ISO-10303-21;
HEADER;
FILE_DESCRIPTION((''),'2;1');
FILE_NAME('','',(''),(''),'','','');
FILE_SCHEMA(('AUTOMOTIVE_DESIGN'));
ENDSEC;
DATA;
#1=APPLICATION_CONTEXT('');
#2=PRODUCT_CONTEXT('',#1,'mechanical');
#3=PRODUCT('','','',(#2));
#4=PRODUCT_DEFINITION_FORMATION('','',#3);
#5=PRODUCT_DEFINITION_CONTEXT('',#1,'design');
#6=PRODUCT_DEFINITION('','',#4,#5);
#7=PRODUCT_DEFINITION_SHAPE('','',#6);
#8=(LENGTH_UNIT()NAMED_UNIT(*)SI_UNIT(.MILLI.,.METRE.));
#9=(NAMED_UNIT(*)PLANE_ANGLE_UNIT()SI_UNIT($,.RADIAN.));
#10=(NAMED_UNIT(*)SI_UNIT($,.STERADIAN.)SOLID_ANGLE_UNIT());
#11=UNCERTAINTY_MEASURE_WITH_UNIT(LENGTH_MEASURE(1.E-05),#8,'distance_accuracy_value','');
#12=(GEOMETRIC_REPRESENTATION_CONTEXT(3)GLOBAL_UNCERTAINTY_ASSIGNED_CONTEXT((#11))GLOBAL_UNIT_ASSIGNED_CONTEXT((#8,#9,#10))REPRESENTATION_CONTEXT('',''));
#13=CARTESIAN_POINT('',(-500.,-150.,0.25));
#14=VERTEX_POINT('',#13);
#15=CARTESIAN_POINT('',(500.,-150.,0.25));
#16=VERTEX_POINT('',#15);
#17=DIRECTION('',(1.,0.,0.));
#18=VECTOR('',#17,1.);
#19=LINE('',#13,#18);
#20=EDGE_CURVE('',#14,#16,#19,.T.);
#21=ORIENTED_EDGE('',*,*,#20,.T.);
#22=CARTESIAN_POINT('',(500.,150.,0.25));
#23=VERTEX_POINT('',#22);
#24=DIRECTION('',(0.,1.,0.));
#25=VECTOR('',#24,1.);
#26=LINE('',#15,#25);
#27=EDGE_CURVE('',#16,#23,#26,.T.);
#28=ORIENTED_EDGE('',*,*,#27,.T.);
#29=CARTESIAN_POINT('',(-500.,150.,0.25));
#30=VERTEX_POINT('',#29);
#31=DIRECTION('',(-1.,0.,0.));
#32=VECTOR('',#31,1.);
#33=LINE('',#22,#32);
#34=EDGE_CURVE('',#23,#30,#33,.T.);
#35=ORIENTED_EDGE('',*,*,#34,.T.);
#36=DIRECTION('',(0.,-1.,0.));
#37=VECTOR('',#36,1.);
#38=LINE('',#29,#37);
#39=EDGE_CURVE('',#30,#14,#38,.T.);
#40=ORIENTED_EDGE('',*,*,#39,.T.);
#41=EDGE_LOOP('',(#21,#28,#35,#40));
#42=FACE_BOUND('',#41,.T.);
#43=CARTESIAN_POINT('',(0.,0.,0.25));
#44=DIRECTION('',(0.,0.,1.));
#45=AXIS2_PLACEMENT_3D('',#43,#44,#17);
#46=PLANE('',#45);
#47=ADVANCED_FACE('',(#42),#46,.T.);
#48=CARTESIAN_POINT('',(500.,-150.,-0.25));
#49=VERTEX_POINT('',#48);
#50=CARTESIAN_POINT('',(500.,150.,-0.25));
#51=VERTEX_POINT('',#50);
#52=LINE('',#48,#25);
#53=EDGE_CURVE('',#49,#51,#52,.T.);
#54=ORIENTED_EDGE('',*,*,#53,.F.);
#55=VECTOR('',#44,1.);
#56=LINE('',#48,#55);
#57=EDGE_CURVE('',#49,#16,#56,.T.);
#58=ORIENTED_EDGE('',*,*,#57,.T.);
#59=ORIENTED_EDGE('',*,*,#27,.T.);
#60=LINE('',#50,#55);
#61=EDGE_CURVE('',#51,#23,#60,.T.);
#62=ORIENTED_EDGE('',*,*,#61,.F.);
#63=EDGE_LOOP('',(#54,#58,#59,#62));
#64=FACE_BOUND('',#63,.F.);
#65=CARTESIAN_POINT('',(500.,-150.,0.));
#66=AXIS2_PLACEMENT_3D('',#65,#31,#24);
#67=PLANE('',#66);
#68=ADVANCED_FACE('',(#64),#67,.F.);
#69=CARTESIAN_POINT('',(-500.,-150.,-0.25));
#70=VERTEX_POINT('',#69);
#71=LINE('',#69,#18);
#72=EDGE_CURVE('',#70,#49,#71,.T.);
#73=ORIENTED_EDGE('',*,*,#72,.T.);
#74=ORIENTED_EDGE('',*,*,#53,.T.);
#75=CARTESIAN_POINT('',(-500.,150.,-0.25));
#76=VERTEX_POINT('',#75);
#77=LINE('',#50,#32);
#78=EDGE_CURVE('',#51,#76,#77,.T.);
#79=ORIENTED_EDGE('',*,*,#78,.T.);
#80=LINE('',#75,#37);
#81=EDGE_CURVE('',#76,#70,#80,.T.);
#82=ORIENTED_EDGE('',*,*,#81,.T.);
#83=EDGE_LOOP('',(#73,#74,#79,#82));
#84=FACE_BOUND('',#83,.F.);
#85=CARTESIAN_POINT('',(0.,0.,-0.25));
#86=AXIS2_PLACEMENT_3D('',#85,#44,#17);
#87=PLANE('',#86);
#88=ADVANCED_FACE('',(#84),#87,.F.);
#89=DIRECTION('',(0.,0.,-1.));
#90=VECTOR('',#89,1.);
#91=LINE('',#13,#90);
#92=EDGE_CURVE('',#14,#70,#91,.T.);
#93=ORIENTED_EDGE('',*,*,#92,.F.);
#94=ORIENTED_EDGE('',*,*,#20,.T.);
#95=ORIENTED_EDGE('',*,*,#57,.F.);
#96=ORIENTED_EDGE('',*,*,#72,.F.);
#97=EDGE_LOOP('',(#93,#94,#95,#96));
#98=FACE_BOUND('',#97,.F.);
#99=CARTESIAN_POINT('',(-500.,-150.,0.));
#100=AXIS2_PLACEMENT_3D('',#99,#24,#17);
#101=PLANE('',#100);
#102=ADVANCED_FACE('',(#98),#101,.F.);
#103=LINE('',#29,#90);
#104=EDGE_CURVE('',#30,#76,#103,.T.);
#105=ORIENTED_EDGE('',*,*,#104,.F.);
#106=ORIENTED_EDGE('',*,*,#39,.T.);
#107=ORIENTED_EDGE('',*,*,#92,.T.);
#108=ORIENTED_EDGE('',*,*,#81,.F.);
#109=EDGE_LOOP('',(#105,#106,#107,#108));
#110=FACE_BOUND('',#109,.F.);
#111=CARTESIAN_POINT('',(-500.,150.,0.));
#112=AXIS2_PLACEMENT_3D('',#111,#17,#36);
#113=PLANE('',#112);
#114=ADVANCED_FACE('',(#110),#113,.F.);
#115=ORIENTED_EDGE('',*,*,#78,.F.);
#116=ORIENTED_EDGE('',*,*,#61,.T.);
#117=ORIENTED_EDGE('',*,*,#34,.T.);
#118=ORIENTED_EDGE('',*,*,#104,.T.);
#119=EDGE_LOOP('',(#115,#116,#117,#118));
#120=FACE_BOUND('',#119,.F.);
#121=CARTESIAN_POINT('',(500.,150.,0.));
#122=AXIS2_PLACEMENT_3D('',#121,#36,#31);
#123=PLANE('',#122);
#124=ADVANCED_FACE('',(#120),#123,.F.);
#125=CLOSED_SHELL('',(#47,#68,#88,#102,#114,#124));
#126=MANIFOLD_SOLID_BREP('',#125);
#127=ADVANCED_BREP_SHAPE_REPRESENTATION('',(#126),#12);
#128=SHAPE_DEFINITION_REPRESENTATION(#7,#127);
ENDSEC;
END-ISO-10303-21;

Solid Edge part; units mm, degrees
sketch "Sketch1" plane through (0, 0, 0) normal (0, 0, 1) x (1, 0, 0)
  line L0 (-500, -150) -> (500, -150)
  line L1 (500, -150) -> (500, 150)
  line L2 (500, 150) -> (-500, 150)
  line L3 (-500, 150) -> (-500, -150)
extrude "Protrusion1" add sketch "Sketch1" along normal mid plane 0.5
